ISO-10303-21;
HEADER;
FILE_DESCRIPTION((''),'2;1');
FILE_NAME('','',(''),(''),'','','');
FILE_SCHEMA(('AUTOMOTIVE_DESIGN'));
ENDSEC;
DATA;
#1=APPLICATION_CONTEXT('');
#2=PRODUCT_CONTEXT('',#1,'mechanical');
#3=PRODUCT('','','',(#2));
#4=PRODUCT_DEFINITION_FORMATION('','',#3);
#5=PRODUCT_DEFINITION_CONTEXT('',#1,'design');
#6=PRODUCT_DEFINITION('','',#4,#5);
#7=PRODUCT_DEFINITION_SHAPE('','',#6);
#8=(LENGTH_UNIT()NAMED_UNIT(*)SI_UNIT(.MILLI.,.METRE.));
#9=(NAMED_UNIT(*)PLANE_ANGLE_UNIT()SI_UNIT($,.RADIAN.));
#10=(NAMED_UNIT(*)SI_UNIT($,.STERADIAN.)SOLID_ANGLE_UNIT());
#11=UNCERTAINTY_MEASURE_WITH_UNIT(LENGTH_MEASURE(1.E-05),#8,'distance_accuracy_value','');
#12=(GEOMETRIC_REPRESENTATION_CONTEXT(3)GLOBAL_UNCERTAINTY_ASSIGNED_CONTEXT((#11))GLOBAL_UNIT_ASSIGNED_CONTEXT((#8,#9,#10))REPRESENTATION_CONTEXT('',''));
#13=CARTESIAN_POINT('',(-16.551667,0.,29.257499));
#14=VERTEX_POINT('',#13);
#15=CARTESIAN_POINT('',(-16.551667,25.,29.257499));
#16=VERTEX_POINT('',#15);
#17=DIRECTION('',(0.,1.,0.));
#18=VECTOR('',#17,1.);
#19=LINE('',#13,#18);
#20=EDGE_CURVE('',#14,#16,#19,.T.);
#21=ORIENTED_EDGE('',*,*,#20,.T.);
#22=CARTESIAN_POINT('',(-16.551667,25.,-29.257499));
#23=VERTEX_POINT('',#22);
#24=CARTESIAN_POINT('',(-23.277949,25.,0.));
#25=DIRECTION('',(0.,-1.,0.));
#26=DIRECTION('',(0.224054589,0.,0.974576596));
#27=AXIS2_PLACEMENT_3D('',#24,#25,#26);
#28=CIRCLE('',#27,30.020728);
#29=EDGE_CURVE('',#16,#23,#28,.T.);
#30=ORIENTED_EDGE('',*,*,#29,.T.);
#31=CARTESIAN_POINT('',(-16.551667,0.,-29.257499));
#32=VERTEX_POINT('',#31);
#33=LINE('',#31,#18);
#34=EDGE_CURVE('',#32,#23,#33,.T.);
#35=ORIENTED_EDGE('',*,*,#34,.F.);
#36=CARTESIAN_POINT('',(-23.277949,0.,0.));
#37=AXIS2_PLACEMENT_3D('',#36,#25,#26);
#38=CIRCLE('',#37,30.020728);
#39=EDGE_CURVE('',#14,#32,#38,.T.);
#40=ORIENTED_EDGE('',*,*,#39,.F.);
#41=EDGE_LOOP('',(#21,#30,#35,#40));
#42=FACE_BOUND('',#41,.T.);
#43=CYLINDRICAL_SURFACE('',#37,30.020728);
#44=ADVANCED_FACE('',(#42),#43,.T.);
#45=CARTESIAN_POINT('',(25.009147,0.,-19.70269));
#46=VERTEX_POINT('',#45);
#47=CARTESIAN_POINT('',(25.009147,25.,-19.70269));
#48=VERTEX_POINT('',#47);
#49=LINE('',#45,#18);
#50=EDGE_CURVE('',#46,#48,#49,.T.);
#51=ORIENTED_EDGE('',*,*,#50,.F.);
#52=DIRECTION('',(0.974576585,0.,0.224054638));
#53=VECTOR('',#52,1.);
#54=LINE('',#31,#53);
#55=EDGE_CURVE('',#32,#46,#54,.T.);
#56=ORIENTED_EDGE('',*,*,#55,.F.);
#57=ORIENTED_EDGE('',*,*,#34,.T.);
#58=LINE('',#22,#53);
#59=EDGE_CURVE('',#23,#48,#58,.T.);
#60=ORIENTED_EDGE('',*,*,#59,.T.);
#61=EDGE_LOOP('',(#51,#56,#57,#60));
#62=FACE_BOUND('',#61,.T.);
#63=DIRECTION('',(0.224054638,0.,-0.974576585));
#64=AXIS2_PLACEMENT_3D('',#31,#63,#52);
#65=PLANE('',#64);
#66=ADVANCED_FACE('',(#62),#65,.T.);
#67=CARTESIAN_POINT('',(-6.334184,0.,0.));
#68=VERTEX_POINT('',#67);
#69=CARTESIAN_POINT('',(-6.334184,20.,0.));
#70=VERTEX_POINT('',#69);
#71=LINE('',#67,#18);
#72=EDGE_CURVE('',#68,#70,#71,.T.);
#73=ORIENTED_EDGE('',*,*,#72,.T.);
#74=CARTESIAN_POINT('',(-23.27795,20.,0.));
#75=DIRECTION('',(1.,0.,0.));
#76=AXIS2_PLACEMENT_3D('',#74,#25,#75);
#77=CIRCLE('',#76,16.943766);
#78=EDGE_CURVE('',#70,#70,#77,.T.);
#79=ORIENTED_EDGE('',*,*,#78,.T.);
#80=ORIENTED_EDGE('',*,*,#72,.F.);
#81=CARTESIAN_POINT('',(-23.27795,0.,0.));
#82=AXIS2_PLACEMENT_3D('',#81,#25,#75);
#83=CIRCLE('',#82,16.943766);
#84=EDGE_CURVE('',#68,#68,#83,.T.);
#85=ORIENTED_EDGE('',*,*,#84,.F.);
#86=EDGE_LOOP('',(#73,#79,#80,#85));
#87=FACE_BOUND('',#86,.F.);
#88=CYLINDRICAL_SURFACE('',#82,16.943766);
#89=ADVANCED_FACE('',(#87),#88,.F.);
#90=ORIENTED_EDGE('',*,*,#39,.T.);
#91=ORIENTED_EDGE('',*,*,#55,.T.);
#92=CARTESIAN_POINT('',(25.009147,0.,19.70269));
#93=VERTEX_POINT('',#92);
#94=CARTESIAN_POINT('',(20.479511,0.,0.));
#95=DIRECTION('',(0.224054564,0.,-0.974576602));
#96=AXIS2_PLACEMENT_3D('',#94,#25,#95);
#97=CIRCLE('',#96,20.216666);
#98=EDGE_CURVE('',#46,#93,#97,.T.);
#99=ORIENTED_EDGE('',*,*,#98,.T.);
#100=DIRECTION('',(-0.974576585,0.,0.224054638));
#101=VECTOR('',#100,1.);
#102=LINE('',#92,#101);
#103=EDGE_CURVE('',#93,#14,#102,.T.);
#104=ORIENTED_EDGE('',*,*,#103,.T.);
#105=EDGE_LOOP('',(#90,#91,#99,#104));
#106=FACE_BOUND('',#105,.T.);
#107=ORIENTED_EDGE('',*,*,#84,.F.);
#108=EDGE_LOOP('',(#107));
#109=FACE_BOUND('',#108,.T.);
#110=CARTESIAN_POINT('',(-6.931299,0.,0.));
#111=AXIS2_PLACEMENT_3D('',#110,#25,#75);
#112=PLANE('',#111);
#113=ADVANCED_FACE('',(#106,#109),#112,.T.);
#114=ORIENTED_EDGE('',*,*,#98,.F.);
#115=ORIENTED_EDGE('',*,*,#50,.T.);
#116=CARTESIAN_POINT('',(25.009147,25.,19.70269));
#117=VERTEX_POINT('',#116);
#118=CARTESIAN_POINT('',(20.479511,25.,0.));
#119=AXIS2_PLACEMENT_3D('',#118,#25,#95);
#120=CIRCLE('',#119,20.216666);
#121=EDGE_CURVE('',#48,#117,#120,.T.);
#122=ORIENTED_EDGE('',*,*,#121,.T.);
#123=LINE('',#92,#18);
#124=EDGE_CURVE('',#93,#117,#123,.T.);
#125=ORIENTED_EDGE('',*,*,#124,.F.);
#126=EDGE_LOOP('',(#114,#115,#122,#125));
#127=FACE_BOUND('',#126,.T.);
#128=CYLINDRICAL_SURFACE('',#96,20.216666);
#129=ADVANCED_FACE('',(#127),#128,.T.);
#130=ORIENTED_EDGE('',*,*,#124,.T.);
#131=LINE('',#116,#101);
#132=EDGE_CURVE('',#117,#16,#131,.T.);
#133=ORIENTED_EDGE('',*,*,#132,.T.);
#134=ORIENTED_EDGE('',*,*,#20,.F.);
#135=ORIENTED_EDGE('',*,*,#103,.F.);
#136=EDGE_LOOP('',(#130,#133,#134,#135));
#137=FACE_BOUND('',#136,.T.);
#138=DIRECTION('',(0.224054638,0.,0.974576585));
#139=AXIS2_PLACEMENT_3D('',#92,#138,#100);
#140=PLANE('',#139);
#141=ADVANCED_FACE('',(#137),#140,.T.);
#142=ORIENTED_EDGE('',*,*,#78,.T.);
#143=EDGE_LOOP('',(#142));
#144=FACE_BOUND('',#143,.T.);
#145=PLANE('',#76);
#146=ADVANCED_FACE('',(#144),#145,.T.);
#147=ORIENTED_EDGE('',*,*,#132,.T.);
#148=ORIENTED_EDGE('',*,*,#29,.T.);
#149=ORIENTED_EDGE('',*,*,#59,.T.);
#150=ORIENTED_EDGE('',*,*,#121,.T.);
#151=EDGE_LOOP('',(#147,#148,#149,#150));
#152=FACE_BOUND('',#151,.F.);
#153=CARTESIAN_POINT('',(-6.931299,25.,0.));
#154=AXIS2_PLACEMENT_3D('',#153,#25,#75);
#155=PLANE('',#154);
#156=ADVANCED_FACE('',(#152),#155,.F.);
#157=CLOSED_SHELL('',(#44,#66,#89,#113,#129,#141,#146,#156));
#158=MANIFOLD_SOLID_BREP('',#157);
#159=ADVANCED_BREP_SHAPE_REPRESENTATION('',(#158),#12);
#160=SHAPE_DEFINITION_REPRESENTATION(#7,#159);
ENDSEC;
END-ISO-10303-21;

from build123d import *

# Parameters (mm, degrees)
F1_DEPTH = 25
F2_R     = 16.943766
F3_DEPTH = 20


with BuildPart() as f1:
    # F0 (on Front) → F1 (new body)
    with BuildSketch(Plane.XZ):
        with BuildLine():
            Line((25.009147, 19.70269), (-16.551667, 29.257499))
            ThreePointArc((-16.551667, 29.257499), (-53.298677, 0), (-16.551667, -29.257499))
            Line((-16.551667, -29.257499), (25.009147, -19.70269))
            ThreePointArc((25.009147, -19.70269), (40.696177, 0), (25.009147, 19.70269))
        make_face()
    extrude(amount=-F1_DEPTH)

    # F2 (on face) → F3 (cut)
    with BuildSketch(Plane.XZ):
        with Locations((-23.27795, 0)):
            Circle(F2_R)
    extrude(amount=-F3_DEPTH, mode=Mode.SUBTRACT)


solid = f1.part
